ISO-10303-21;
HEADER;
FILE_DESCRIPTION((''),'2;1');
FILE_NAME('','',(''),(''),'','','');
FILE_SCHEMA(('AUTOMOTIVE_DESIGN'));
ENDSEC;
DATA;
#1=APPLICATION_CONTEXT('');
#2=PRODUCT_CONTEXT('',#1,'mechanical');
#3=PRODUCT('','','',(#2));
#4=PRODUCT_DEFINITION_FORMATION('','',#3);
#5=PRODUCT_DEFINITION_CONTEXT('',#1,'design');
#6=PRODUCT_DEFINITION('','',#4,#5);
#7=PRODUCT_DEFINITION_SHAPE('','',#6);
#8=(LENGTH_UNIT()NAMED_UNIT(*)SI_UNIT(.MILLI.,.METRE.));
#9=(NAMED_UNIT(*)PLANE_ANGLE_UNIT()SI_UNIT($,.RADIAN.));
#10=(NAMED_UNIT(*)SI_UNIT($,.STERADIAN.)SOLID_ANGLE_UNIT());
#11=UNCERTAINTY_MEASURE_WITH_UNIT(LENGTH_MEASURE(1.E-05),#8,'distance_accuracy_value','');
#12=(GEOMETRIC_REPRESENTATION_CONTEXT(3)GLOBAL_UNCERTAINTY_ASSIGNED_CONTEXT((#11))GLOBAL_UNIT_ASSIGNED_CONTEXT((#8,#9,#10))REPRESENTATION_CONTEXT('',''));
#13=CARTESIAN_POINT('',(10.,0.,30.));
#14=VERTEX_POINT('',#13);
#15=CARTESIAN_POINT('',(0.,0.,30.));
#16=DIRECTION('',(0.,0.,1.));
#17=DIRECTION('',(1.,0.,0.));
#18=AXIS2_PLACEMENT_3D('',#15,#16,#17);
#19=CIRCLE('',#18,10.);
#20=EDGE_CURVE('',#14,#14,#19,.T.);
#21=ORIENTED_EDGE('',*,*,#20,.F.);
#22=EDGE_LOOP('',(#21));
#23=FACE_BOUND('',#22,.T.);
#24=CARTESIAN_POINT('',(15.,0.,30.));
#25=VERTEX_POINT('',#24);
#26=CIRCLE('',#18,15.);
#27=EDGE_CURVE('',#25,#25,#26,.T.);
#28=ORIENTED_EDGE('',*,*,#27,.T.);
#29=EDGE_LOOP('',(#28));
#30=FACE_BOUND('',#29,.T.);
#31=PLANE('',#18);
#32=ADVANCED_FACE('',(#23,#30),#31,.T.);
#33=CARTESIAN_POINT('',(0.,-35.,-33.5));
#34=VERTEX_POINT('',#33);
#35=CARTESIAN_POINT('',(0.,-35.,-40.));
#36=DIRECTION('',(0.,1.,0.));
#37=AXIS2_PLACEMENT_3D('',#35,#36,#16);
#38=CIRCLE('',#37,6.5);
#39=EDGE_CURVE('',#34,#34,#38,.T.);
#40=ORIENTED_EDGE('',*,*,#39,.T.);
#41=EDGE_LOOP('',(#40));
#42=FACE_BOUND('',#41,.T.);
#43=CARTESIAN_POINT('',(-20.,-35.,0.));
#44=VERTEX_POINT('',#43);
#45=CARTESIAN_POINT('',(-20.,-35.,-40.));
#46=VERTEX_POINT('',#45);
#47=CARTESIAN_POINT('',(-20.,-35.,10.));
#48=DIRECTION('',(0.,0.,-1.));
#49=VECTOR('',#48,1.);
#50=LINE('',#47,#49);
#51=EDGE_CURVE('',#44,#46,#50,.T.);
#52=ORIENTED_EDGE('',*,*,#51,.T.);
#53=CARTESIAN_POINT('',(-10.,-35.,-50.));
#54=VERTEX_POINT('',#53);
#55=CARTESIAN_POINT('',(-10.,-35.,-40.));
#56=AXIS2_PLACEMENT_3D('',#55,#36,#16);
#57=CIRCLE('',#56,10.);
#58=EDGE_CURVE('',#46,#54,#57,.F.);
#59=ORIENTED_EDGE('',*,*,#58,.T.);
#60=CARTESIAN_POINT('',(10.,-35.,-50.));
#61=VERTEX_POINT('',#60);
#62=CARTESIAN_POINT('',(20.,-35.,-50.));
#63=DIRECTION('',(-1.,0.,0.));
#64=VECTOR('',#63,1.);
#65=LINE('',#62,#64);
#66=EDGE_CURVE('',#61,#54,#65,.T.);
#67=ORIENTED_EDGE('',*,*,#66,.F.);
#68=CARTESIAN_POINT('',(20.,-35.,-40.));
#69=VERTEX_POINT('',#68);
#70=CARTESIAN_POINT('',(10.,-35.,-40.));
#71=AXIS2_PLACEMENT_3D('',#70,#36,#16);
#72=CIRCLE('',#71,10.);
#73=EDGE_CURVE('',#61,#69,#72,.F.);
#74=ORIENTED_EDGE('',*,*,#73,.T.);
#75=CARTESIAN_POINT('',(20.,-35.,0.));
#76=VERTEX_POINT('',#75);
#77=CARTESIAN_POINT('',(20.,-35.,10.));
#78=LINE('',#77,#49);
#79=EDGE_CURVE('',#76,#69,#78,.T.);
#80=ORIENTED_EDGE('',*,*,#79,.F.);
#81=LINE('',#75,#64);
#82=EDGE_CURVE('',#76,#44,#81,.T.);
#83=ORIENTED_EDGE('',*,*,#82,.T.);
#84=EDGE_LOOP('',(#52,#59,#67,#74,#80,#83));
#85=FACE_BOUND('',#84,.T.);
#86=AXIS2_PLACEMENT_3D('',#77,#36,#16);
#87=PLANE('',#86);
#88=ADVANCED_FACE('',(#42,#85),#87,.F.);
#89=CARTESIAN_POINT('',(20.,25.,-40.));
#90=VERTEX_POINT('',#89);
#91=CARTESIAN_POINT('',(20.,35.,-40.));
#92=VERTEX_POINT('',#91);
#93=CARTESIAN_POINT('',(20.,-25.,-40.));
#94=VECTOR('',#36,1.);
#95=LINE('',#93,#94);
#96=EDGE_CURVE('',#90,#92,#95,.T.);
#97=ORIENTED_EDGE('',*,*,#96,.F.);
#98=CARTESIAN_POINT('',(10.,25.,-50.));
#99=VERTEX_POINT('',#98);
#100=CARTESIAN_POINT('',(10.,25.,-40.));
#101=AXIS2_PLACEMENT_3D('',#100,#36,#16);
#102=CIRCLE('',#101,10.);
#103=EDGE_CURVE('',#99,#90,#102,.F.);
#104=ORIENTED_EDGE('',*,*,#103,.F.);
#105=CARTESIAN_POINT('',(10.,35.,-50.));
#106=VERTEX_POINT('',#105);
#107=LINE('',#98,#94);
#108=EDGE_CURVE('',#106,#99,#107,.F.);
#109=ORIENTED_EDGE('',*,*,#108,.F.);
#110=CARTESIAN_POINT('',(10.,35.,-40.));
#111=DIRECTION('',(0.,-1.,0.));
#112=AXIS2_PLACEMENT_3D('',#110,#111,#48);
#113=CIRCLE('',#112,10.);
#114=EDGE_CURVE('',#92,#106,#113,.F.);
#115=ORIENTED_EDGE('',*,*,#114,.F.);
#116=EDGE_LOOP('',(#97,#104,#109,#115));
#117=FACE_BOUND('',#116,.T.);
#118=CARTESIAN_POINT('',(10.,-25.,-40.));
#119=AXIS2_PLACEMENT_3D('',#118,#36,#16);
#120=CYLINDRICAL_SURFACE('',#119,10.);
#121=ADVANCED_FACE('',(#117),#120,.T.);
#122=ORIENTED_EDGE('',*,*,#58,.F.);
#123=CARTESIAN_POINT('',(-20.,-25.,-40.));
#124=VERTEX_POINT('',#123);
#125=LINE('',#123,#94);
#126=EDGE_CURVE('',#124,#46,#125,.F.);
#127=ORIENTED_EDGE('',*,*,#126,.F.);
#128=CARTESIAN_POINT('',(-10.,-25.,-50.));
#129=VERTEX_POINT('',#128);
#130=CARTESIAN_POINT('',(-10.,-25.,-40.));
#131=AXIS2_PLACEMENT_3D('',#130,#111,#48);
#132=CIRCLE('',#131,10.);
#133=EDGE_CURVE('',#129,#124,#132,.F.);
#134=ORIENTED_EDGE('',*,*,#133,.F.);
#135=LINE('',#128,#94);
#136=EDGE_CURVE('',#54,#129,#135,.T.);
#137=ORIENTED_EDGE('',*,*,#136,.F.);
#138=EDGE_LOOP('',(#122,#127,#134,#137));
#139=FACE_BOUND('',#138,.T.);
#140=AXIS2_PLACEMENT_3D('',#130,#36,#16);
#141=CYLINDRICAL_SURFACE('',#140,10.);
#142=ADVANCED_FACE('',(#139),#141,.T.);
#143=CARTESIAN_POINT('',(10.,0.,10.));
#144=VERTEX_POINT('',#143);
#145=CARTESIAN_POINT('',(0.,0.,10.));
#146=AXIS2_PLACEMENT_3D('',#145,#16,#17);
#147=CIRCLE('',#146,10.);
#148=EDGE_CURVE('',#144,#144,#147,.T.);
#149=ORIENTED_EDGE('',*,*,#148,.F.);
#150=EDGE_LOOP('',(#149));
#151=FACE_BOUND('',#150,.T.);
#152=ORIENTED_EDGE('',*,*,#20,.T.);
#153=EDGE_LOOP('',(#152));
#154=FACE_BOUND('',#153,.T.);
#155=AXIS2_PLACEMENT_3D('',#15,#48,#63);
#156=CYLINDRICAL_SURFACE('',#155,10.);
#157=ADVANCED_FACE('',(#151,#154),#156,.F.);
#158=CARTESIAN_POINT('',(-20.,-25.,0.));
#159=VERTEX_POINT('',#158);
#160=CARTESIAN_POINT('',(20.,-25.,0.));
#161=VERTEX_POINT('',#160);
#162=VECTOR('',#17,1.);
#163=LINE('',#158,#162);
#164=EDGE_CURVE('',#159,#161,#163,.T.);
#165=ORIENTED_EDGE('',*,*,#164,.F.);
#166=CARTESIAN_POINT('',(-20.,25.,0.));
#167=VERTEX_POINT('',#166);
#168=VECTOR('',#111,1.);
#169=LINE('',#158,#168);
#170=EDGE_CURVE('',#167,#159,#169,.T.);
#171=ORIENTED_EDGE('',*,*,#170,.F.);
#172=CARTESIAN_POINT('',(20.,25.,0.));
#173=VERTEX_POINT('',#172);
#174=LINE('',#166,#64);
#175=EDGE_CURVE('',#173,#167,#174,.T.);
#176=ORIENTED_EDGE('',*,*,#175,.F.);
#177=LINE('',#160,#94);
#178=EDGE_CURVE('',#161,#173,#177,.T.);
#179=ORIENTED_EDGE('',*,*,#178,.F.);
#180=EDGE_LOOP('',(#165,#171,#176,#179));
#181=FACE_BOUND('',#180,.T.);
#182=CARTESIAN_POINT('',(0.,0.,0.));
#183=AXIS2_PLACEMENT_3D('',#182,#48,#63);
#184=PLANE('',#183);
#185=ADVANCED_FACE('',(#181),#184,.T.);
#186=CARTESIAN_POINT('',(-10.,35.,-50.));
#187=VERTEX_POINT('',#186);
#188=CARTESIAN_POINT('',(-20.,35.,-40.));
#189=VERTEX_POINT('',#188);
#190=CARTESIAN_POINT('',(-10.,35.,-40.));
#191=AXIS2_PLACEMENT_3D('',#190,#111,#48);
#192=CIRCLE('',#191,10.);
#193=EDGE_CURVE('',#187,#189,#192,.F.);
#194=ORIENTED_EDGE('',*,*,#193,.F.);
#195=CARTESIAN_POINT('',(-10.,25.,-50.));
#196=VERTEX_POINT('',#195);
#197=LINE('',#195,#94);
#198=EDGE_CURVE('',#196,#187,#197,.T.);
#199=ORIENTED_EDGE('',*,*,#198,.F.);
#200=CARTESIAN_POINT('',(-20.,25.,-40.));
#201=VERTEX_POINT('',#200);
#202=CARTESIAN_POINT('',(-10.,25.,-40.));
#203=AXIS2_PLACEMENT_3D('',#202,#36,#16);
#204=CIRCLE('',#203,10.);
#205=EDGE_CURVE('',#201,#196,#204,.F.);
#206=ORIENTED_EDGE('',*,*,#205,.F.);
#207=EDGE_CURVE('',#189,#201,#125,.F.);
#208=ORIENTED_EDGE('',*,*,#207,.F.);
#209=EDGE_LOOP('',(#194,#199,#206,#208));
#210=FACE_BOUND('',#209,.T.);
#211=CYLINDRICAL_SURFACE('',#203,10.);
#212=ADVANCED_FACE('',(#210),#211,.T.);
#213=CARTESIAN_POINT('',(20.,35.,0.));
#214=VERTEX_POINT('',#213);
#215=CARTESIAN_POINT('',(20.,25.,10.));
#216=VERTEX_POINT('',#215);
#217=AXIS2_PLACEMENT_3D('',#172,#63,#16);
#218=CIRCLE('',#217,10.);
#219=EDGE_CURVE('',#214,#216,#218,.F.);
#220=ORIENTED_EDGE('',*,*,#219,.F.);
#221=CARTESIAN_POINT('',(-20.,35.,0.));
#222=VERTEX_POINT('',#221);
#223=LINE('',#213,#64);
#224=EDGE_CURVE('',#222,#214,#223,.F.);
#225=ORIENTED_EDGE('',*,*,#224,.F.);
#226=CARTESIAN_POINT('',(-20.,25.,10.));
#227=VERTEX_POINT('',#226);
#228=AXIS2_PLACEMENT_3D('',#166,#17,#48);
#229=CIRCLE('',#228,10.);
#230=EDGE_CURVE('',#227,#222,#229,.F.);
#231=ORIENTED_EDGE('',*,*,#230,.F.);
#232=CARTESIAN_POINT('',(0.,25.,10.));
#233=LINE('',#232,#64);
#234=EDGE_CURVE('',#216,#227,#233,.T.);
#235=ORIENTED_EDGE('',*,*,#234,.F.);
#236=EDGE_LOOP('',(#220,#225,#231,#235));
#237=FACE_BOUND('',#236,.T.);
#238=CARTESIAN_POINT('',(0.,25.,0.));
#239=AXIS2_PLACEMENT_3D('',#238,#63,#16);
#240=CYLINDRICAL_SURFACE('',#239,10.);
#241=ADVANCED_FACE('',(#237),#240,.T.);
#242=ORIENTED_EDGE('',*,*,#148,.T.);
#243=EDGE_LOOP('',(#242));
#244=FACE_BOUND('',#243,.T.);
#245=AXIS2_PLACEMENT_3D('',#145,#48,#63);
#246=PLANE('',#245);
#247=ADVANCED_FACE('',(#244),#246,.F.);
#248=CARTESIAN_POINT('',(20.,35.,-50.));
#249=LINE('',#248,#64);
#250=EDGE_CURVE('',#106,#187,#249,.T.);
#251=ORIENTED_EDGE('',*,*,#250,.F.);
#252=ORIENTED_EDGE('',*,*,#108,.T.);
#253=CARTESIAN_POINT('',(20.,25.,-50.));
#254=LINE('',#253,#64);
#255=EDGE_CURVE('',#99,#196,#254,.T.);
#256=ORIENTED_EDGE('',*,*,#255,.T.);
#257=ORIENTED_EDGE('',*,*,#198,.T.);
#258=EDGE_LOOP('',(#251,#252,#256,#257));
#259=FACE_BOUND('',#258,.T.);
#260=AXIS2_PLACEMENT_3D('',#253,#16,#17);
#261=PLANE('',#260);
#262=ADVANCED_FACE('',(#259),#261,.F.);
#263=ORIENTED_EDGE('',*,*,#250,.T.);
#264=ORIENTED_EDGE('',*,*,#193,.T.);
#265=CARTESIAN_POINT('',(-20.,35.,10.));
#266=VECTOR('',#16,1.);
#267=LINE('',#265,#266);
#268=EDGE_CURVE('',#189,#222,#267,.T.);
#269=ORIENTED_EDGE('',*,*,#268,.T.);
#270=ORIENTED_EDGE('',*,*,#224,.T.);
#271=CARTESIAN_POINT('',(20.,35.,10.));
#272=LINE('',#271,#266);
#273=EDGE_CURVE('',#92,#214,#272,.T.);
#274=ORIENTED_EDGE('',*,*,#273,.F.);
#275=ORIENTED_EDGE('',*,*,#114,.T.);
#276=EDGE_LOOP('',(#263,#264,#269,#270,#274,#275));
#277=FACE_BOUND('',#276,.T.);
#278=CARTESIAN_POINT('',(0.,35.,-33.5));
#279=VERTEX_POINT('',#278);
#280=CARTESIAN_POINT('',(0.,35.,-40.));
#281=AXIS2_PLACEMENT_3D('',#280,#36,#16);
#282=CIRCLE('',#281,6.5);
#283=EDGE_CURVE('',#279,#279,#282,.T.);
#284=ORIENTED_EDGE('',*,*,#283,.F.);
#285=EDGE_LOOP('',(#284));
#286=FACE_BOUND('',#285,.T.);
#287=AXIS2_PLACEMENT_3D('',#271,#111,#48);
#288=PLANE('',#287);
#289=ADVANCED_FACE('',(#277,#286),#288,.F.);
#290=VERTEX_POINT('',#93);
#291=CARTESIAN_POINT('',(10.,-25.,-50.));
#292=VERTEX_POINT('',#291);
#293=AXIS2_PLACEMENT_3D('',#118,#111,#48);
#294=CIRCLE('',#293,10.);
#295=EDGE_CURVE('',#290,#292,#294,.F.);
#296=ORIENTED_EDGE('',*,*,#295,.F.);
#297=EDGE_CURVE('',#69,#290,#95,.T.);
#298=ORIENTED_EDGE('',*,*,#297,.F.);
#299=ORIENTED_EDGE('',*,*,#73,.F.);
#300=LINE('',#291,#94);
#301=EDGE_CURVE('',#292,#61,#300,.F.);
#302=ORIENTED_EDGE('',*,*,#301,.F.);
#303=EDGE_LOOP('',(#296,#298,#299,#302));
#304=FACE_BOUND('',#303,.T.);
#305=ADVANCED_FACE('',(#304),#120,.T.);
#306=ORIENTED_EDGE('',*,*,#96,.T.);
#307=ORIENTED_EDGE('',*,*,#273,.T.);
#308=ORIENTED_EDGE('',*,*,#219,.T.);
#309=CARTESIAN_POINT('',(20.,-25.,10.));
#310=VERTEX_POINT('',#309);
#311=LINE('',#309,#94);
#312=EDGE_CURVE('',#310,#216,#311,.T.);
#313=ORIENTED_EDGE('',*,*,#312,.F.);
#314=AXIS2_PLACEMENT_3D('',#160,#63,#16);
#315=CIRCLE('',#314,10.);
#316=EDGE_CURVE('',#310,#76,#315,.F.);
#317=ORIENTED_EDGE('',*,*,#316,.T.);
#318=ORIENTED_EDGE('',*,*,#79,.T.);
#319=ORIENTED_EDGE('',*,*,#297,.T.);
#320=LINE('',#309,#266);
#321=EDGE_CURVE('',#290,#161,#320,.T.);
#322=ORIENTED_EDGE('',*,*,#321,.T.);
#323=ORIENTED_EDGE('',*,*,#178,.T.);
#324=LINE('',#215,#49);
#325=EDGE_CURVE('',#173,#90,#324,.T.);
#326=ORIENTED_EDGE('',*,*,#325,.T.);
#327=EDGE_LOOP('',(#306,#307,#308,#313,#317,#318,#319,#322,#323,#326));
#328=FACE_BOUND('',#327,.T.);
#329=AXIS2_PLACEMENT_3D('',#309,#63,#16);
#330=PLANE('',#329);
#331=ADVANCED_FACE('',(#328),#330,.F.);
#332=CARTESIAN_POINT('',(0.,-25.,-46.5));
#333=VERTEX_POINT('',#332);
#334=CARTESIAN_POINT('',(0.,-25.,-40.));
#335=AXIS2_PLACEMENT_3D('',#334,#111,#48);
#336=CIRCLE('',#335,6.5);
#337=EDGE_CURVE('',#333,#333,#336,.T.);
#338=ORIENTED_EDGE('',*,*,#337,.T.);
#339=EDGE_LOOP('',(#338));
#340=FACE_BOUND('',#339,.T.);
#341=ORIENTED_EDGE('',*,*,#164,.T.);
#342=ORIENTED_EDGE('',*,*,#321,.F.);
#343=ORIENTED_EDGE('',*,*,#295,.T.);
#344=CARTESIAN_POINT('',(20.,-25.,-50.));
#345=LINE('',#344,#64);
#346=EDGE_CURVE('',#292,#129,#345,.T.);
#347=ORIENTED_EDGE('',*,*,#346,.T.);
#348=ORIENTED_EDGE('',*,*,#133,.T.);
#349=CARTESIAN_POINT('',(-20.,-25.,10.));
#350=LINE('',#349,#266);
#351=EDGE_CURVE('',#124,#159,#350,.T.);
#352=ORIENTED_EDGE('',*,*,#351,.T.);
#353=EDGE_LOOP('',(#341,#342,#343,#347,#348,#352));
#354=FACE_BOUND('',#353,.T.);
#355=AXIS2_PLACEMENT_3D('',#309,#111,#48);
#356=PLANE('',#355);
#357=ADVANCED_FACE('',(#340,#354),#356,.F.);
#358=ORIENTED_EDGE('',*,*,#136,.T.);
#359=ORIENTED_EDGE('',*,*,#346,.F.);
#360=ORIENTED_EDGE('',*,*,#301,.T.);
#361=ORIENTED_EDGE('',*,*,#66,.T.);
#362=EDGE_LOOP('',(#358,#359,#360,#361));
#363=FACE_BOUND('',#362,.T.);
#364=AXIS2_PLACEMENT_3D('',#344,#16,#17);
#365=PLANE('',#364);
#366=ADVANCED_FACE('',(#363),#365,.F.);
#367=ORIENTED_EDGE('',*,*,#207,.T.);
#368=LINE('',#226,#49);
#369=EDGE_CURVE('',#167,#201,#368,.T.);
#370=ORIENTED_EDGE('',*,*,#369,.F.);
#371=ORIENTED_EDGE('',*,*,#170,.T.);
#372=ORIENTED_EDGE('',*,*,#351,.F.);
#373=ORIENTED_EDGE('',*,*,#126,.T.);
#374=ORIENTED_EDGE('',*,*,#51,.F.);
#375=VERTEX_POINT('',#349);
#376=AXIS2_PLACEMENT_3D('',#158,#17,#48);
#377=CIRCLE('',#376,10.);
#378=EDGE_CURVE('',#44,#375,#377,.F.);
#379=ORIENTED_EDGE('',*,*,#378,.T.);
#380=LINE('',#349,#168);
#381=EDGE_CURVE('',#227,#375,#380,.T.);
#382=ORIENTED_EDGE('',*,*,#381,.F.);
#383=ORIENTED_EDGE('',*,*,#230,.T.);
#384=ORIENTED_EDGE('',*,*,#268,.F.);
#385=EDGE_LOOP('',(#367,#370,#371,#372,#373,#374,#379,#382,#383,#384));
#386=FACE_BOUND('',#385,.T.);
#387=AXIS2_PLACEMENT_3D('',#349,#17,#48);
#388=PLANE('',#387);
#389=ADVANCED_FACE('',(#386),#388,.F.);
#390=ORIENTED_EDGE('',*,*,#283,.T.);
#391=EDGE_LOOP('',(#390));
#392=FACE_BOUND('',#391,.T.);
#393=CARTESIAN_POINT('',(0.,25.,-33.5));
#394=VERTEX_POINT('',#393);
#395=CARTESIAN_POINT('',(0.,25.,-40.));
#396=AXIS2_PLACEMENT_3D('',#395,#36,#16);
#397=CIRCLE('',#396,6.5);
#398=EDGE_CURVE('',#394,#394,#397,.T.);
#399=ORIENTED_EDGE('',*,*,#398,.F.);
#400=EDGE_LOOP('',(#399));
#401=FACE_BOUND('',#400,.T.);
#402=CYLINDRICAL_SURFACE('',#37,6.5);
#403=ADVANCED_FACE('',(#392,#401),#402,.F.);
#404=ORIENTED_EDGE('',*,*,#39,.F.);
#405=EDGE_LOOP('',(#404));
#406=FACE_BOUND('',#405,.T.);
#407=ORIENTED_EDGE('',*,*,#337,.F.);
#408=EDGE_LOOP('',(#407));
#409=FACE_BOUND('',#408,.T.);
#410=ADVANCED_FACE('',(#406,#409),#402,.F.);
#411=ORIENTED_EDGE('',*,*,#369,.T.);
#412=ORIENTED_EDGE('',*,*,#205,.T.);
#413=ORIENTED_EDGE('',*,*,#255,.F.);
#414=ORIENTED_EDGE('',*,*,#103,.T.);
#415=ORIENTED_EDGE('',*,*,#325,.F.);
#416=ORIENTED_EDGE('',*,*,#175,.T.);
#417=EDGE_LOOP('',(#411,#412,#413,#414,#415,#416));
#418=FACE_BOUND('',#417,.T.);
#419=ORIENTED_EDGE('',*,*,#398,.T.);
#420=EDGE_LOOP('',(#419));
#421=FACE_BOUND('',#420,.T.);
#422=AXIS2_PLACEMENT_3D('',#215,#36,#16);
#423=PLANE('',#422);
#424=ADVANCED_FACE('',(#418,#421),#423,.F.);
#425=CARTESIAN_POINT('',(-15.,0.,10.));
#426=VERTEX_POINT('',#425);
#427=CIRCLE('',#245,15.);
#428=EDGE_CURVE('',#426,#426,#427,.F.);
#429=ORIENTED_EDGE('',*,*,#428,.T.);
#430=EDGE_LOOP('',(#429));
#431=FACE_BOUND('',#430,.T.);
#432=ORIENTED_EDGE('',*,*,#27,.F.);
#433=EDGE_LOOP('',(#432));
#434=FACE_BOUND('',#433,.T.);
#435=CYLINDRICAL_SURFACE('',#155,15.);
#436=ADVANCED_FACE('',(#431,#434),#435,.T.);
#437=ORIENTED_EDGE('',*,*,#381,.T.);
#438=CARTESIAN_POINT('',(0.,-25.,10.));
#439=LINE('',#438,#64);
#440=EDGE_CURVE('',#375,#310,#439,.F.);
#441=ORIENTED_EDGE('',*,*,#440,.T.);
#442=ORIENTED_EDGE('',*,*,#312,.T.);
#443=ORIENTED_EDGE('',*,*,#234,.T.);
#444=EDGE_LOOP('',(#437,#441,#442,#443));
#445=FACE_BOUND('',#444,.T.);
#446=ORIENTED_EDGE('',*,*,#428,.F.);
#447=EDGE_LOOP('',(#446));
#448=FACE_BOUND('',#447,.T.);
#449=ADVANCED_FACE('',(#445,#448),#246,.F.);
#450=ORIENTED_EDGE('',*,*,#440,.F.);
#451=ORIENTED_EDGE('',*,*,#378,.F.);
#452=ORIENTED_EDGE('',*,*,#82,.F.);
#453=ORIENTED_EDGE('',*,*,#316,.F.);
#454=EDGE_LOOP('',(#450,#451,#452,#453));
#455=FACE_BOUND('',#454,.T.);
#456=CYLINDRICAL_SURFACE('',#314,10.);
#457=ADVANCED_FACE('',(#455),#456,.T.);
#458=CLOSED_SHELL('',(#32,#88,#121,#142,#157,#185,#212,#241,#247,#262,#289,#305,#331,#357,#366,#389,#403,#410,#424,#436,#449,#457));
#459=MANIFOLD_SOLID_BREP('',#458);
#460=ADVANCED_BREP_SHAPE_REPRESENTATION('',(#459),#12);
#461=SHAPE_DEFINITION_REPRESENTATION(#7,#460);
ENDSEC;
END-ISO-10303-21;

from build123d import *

# Parameters (mm, degrees)
SKETCH1_W           = 40
SKETCH1_H           = 50
BOSS_EXTRUDE1_DEPTH = 10
SKETCH2_W           = 60
SKETCH2_H           = 10
BOSS_EXTRUDE2_DEPTH = 20
FILLET1_R           = 10
SKETCH3_R           = 15
SKETCH3_R_2         = 10
BOSS_EXTRUDE3_DEPTH = 20
SKETCH4_R           = 6.5
CUT_EXTRUDE1_DEPTH  = 89.317608663


with BuildPart() as part:
    # Sketch1 → Boss-Extrude1 (new body)
    with BuildSketch(Plane.XY):
        Rectangle(SKETCH1_W, SKETCH1_H)
    extrude(amount=BOSS_EXTRUDE1_DEPTH)

    # Sketch2 → Boss-Extrude2 (add, symmetric)
    with BuildSketch(Plane(origin=(0, 0, 0), x_dir=(0, 0, -1), z_dir=(1, 0, 0))):
        with Locations((20, 30)):
            Rectangle(SKETCH2_W, SKETCH2_H)
        with Locations((20, -30)):
            Rectangle(SKETCH2_W, SKETCH2_H)
    extrude(amount=BOSS_EXTRUDE2_DEPTH, both=True)

    # Fillet1
    fillet1_edges = [part.edges().sort_by_distance(p)[0] for p in [
        (0, 35, 10),
        (-20, 30, -50),
        (20, 30, -50),
        (0, -35, 10),
        (-20, -30, -50),
        (20, -30, -50),
    ]]
    fillet(fillet1_edges, radius=FILLET1_R)

    # Sketch3 → Boss-Extrude3 (add)
    with BuildSketch(Plane.XY.offset(10)):
        with Locations(Location((0, 0, 0), (0, 0, 180))):
            Circle(SKETCH3_R)
        Circle(SKETCH3_R_2, mode=Mode.SUBTRACT)
    extrude(amount=BOSS_EXTRUDE3_DEPTH)

    # Sketch4 → Cut-Extrude1 (cut, through all)
    with BuildSketch(Plane(origin=(0, 35, 0), x_dir=(1, 0, 0), z_dir=(0, 1, 0))):
        with Locations(Location((0, 40, 0), (0, 0, 270))):
            Circle(SKETCH4_R)
    extrude(amount=-CUT_EXTRUDE1_DEPTH, mode=Mode.SUBTRACT)


solid = part.part
